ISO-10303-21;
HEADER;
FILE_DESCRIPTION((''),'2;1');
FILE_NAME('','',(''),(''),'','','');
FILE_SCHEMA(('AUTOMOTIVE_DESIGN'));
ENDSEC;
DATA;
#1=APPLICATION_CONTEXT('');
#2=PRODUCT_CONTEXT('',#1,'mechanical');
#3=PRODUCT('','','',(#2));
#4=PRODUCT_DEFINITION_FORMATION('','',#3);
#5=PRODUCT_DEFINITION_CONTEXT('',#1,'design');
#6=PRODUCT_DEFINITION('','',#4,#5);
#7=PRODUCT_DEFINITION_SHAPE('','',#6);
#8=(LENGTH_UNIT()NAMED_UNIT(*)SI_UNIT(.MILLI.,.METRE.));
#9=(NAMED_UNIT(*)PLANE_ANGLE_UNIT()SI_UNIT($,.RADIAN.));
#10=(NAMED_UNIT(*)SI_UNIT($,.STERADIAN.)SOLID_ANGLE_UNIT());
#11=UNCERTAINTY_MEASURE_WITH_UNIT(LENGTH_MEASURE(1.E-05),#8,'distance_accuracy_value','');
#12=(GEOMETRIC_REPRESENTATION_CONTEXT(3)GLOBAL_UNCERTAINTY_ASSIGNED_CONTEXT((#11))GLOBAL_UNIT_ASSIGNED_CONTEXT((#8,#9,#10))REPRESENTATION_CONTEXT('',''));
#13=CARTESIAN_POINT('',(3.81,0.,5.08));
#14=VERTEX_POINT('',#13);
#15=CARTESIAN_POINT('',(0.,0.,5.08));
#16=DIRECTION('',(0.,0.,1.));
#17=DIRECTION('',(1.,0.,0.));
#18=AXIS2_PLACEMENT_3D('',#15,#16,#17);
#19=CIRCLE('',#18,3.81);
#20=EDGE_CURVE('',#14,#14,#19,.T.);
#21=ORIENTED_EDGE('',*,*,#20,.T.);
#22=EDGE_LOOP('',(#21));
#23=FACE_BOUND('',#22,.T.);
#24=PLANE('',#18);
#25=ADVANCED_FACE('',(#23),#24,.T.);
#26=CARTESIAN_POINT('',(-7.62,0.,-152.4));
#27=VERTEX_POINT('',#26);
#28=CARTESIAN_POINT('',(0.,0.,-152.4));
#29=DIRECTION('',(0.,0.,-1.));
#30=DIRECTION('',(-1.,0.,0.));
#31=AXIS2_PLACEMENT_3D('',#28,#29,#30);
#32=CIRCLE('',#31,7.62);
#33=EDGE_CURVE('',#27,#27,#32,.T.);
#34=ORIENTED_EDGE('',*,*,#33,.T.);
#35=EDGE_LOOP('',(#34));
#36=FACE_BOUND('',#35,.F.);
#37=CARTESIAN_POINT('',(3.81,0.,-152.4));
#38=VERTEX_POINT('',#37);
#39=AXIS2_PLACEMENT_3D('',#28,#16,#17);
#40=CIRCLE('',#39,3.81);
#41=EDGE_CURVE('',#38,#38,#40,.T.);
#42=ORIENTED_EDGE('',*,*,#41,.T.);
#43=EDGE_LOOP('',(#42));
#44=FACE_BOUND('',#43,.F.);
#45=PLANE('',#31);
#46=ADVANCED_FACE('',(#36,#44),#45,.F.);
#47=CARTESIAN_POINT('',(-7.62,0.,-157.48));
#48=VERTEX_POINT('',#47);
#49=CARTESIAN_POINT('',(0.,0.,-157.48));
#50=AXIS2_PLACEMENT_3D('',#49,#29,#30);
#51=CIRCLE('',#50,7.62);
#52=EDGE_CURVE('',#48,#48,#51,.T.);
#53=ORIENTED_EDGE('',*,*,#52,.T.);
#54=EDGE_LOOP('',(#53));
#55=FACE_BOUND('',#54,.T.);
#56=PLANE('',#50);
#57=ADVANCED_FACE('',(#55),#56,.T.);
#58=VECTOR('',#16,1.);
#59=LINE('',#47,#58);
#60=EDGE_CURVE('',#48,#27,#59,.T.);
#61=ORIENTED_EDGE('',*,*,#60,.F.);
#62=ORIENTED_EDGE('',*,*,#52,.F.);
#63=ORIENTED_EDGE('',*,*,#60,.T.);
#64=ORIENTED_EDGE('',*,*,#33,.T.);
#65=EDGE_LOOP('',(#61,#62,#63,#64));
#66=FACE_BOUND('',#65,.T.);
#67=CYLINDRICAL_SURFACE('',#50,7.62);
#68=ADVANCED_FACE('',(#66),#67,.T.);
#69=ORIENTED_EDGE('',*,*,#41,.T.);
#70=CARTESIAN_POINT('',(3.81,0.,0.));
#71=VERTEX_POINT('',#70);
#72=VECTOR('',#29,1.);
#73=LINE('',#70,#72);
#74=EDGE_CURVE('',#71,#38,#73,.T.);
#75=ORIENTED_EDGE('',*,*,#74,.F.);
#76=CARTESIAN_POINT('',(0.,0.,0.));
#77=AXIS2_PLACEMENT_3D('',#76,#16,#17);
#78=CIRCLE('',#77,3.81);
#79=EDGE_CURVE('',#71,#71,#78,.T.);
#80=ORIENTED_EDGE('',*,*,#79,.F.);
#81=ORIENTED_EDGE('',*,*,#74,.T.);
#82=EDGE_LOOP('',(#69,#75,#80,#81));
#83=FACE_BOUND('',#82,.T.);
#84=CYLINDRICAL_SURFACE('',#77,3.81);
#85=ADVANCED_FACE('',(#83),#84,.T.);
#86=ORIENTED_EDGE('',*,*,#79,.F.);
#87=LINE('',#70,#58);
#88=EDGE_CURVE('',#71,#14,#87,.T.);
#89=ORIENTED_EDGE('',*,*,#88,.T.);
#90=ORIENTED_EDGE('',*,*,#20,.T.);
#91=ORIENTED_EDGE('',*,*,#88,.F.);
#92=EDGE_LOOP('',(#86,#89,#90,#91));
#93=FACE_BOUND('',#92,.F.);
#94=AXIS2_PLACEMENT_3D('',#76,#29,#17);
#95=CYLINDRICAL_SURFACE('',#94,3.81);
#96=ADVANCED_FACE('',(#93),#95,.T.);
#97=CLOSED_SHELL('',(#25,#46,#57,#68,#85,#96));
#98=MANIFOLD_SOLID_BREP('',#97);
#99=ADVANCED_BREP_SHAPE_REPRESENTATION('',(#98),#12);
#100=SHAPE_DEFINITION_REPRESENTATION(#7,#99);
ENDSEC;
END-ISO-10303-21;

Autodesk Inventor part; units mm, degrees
ref_plane "YZ Plane" through (0, 0, 0) normal (1, 0, 0) x (0, 1, 0)
ref_plane "XZ Plane" through (0, 0, 0) normal (0, 1, 0) x (-1, 0, 0)
ref_plane "XY Plane" through (0, 0, 0) normal (0, 0, 1) x (1, 0, 0)
sketch "Sketch1" plane through (0, 0, 0) normal (0, 0, 1) x (1, 0, 0)
  circle A0 centre (0, 0) radius 3.81
  dimension "d0" = 7.62
extrude "Extrusion1" add sketch "Sketch1" against normal blind 157.48
sketch "Sketch2" plane through (0, 0, -157.48) normal (0, 0, -1) x (-1, 0, 0)
  circle A0 centre (0, 0) radius 7.62
  circle A1 centre (0, 0) radius 3.81
  dimension "d3" = 15.24
extrude "Extrusion2" add sketch "Sketch2" against normal blind 5.08
sketch "Sketch3" plane through (0, 0, 0) normal (0, 0, 1) x (1, 0, 0)
  circle A0 centre (0, 0) radius 3.81 projected
extrude "Extrusion3" add sketch "Sketch3" along normal blind 5.08
properties part number "roller pin"
